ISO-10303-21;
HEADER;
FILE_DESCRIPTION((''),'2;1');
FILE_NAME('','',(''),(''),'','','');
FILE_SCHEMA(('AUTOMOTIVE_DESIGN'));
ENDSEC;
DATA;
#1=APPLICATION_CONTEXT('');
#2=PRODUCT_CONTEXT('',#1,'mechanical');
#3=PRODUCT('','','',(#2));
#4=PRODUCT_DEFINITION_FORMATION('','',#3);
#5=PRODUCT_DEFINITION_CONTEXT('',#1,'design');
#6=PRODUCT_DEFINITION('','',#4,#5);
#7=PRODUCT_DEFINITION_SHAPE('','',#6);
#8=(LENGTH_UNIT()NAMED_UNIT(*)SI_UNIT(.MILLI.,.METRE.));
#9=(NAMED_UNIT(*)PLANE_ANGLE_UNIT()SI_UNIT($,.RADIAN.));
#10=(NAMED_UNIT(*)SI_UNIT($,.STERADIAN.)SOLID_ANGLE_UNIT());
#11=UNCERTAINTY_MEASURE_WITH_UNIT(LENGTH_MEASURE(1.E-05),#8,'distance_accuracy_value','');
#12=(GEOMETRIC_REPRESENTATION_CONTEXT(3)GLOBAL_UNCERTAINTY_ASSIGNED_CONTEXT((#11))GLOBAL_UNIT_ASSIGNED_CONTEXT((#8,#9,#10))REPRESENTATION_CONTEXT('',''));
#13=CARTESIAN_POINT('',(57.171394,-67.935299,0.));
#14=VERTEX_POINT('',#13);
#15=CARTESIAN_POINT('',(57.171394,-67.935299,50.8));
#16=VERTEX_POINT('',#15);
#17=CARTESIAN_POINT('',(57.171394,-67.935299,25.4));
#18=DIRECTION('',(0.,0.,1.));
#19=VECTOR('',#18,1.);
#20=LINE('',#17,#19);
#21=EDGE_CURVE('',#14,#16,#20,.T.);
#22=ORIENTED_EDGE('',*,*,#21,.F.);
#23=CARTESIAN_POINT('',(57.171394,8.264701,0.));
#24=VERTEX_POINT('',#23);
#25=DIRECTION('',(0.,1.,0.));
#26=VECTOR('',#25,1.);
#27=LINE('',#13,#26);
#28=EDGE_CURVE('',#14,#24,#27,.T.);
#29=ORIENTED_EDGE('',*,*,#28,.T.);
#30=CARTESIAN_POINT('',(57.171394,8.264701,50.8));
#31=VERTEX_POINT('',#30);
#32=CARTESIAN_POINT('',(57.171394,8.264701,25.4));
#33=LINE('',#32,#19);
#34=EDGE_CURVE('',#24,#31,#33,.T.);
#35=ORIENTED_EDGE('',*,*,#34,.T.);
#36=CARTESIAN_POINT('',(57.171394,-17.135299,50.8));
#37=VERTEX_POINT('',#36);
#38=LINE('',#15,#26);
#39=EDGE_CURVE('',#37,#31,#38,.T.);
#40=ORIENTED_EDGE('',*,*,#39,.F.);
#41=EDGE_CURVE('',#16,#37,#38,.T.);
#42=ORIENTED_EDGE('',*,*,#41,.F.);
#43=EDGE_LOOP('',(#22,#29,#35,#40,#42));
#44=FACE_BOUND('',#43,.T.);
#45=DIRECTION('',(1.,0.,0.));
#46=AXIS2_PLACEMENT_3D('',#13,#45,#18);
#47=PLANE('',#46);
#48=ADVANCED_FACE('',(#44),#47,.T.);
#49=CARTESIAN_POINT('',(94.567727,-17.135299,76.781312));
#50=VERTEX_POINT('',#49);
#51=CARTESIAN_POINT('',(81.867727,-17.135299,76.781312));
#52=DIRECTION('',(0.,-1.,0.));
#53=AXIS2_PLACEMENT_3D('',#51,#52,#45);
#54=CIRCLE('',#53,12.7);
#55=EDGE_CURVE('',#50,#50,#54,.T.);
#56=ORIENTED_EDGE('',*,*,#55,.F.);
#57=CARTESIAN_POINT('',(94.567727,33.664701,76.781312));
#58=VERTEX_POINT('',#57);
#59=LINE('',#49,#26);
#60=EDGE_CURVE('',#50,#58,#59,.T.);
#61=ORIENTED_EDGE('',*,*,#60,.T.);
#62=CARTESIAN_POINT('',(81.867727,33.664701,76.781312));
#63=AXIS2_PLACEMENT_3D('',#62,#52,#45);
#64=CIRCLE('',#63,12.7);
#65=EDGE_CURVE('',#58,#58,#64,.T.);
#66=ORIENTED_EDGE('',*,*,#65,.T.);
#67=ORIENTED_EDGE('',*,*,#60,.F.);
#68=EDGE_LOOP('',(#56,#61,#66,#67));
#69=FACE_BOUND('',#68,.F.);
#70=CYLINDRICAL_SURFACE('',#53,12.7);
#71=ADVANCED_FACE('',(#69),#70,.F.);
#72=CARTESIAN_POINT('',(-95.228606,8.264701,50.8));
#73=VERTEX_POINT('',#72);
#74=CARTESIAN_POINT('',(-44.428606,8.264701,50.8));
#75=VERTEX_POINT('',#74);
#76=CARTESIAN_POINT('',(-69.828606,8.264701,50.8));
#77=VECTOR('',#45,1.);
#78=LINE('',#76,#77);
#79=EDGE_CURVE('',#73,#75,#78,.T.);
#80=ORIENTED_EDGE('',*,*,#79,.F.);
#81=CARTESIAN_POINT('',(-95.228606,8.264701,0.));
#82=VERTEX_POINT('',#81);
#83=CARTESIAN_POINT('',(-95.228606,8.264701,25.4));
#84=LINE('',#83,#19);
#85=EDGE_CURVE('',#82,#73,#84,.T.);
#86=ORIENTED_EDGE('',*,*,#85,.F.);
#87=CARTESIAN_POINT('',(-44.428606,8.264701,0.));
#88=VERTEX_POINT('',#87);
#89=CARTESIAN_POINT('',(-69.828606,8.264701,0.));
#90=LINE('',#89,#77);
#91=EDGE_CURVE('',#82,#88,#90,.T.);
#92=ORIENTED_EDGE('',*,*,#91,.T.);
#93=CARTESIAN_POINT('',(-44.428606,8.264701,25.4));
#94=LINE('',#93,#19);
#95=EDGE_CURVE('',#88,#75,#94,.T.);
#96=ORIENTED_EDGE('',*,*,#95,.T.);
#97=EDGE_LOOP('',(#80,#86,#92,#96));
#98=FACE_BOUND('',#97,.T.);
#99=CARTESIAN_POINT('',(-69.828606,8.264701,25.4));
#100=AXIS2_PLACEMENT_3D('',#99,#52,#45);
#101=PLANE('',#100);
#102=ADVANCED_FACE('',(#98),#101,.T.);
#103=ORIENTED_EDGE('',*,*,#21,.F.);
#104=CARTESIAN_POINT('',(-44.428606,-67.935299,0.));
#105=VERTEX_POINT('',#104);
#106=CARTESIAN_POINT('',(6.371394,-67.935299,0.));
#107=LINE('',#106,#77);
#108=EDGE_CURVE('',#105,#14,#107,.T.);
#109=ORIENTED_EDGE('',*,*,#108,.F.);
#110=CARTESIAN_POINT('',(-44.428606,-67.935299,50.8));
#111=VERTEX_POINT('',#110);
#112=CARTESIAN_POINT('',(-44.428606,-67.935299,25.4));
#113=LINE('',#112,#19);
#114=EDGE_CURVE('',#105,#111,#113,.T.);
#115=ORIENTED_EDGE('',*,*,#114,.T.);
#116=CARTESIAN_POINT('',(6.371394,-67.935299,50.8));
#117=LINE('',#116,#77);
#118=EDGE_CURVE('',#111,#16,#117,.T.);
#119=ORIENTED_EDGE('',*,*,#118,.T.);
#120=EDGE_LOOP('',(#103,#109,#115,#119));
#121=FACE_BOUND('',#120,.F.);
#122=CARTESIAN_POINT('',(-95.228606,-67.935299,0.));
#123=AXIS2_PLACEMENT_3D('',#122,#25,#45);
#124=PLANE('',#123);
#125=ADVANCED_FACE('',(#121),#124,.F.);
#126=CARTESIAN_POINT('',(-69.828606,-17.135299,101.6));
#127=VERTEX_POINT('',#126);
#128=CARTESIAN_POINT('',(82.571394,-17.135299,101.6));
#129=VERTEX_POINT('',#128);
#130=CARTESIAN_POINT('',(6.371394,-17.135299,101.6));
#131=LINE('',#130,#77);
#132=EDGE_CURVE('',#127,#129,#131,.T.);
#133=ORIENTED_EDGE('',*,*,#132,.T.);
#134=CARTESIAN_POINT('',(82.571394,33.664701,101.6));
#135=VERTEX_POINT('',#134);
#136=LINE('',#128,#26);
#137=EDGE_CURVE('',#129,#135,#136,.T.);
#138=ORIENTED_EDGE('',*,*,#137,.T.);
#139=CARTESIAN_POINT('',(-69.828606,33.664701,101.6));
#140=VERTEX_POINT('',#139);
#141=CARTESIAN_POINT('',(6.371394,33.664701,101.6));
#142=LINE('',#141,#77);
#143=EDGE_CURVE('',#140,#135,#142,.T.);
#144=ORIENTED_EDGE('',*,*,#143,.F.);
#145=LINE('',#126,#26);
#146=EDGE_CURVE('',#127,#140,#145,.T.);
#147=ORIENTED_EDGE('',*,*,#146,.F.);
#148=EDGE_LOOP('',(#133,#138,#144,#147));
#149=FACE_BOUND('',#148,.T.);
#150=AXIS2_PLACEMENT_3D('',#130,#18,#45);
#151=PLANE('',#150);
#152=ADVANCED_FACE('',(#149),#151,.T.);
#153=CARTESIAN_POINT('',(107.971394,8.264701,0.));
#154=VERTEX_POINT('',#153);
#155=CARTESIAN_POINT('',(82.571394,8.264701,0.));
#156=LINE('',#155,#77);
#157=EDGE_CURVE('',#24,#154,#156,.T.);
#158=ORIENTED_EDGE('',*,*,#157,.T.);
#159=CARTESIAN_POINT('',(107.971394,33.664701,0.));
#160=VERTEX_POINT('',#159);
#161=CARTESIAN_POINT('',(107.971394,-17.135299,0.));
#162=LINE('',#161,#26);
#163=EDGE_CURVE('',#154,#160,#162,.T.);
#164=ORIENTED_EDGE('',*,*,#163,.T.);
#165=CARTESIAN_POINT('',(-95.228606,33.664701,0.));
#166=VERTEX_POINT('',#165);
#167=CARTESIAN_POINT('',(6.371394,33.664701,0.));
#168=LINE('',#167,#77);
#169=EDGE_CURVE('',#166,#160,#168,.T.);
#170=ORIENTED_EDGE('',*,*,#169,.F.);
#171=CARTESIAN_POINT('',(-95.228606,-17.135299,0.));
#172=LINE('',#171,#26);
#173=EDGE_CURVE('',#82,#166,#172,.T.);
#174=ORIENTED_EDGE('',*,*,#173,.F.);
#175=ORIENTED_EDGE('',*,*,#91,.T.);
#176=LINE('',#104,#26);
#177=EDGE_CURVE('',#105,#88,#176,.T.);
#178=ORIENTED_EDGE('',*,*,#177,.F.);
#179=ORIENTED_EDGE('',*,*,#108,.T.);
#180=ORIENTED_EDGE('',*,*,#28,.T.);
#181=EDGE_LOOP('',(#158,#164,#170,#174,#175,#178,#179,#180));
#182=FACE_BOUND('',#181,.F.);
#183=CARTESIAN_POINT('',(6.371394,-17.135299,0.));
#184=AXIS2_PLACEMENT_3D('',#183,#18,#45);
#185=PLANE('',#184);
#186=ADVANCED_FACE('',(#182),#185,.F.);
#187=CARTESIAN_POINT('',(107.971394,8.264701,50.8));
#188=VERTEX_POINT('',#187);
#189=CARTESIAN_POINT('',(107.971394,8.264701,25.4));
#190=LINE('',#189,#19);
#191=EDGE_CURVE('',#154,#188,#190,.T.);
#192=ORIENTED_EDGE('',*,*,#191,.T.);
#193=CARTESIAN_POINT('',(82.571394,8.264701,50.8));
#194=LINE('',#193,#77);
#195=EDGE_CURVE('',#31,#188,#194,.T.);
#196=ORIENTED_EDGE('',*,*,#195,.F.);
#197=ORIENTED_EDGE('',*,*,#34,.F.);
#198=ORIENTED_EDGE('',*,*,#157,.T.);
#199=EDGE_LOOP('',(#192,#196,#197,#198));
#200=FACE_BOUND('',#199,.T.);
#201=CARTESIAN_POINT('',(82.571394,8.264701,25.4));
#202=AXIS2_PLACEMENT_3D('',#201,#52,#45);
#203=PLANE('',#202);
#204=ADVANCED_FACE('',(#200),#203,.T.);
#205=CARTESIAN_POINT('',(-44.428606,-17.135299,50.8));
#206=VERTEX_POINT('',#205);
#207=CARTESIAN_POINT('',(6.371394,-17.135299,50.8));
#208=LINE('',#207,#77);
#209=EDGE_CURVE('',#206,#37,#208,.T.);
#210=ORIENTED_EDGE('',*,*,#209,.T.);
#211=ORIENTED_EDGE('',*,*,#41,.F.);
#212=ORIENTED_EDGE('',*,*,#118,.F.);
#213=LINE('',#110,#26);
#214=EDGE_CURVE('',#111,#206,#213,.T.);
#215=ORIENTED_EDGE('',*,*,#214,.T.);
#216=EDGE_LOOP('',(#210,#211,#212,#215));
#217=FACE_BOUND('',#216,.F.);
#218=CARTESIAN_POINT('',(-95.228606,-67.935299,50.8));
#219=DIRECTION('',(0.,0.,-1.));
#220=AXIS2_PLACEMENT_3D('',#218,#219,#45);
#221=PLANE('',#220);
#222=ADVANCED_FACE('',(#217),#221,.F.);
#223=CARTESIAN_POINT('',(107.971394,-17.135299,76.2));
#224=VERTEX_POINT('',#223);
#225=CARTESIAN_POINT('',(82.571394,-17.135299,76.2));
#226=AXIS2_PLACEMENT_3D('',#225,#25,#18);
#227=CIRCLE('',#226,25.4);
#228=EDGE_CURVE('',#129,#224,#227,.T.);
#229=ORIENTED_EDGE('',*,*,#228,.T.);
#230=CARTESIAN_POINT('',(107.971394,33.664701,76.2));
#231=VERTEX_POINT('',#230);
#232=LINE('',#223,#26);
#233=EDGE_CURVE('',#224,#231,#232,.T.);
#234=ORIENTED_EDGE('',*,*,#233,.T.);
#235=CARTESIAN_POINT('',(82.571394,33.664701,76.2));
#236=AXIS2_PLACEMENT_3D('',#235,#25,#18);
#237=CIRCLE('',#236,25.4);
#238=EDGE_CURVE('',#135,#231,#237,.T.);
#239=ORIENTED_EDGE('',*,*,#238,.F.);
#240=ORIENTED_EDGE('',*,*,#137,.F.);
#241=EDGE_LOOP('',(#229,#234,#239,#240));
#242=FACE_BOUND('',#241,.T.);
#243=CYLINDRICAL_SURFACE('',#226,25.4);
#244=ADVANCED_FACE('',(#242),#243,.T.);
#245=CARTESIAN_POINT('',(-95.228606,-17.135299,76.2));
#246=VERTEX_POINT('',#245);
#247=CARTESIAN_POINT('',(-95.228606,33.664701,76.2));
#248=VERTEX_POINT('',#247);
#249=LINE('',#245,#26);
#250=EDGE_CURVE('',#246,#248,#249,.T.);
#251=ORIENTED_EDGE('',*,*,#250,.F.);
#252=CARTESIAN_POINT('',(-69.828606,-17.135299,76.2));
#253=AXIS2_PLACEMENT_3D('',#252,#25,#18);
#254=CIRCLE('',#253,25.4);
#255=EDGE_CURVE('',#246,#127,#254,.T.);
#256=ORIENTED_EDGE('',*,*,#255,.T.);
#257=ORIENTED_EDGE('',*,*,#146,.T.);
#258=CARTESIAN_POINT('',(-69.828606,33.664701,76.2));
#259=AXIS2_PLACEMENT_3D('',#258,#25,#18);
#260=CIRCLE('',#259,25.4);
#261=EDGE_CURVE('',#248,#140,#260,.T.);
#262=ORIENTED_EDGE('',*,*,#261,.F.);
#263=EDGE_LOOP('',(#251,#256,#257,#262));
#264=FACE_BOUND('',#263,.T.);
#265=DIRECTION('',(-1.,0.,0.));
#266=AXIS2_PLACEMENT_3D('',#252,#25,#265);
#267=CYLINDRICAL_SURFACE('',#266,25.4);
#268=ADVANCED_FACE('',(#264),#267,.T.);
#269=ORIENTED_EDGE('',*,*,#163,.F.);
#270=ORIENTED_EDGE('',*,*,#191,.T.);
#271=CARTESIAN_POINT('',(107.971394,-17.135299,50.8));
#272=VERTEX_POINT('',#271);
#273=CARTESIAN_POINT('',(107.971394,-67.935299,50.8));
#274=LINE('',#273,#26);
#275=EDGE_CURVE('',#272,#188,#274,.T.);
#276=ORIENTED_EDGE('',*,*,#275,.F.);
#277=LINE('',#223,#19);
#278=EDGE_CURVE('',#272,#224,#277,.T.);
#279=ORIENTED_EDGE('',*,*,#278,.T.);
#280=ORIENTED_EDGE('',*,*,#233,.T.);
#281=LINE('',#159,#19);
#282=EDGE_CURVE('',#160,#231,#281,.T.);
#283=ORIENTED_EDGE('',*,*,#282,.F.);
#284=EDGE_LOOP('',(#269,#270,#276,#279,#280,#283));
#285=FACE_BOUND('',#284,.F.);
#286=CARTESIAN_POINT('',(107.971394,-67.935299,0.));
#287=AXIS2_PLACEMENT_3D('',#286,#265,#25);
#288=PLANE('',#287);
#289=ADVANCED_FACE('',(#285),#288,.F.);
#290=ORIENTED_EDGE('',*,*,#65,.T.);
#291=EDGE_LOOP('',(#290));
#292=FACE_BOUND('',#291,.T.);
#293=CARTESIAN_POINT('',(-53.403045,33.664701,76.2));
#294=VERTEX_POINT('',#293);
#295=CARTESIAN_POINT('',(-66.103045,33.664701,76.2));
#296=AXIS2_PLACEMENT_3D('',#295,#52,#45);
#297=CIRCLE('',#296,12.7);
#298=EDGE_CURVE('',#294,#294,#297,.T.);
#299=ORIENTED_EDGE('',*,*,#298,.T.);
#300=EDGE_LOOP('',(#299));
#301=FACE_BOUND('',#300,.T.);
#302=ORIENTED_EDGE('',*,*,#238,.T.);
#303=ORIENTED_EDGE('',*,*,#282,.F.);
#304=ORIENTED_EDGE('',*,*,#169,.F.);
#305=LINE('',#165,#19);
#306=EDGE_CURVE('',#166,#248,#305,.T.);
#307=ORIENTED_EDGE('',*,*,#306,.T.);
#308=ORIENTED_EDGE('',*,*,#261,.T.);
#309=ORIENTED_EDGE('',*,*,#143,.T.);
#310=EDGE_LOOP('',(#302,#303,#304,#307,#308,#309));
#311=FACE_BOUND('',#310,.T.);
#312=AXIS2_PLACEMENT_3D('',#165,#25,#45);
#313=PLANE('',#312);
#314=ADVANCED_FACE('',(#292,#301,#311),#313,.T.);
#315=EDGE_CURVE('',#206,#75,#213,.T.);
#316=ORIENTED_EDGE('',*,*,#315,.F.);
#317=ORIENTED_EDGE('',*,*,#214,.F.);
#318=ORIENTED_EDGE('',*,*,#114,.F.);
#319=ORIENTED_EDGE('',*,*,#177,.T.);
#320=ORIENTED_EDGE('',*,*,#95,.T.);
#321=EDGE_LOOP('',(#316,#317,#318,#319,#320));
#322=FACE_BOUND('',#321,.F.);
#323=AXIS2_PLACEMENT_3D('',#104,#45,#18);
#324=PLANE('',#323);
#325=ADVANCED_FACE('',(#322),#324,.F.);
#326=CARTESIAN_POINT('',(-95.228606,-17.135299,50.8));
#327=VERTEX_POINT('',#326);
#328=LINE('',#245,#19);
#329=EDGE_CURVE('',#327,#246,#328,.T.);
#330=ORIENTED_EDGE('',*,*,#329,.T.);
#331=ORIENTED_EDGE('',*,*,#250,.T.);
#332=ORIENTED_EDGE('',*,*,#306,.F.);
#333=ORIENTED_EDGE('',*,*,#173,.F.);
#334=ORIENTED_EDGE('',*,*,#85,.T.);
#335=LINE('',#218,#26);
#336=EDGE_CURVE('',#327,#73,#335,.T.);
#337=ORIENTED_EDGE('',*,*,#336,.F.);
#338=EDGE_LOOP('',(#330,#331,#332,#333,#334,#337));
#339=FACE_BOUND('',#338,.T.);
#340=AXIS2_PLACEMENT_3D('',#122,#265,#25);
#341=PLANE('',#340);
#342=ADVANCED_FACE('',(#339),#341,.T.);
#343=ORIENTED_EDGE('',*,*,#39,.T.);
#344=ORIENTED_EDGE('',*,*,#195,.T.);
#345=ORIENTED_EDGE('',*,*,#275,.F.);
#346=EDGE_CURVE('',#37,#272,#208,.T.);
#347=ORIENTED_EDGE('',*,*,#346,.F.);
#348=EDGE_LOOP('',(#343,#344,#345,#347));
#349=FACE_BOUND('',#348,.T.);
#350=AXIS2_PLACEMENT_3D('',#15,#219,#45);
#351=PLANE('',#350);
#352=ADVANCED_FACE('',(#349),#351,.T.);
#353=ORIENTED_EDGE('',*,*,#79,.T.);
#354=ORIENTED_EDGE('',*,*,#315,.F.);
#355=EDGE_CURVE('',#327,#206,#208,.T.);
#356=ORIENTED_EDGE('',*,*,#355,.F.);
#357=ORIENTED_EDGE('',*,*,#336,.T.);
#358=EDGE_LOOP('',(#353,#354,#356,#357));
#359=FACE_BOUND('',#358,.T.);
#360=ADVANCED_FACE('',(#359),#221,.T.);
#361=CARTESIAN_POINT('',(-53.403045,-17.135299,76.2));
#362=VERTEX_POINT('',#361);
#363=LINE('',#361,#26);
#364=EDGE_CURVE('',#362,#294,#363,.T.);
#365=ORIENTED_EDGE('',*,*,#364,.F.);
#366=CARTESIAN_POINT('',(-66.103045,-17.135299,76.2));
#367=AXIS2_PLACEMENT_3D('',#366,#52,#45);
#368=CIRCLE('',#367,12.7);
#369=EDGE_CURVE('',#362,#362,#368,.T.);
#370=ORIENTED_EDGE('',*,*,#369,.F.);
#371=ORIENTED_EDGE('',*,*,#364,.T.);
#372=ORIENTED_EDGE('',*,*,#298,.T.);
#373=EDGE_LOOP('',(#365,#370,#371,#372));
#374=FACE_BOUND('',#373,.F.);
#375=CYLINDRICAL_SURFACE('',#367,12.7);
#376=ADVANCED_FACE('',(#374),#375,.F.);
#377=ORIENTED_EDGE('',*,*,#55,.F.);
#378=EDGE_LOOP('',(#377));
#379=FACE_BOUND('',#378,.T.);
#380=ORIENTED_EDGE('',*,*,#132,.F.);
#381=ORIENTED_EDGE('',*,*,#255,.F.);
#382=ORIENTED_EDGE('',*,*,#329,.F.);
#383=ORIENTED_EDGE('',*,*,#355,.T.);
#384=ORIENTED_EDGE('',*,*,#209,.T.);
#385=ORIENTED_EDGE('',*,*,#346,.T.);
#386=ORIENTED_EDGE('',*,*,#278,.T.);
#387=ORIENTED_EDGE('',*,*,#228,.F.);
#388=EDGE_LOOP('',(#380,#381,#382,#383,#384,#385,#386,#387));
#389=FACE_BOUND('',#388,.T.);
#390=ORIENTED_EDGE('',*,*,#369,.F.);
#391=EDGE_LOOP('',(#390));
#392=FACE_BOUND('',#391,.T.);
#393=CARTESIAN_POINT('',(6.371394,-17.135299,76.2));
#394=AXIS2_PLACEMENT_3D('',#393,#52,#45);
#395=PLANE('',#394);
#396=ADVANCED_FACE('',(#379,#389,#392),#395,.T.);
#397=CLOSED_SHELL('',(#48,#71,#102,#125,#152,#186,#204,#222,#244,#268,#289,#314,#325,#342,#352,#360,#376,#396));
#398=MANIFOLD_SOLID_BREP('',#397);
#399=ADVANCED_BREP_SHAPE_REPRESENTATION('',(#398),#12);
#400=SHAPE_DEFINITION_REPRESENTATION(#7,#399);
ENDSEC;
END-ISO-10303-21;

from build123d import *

# Parameters (mm, degrees)
F0_W     = 203.2
F0_H     = 101.6
F1_DEPTH = 101.6
F2_W     = 50.8
F2_H     = 50.8
F3_DEPTH = 76.2
F4_W     = 203.2
F4_H     = 50.8
F5_DEPTH = 50.8
F6_R     = 25.4
F7_R     = 12.7
F8_DEPTH = 101.6


with BuildPart() as f1:
    # F0 (on Top) → F1 (new body)
    with BuildSketch(Plane.XY):
        with Locations((6.3713937998, -17.1352989659)):
            Rectangle(F0_W, F0_H)
    extrude(amount=F1_DEPTH)

    # F2 (on face) → F3 (cut)
    with BuildSketch(Plane.XZ.offset(67.9352989659)):
        with Locations((-69.8286062002, 25.4)):
            Rectangle(F2_W, F2_H)
        with Locations((82.5713937998, 25.4)):
            Rectangle(F2_W, F2_H)
    extrude(amount=-F3_DEPTH, mode=Mode.SUBTRACT)

    # F4 (on face) → F5 (cut)
    with BuildSketch(Plane.XZ.offset(67.9352989659)):
        with Locations((6.3713937998, 76.2)):
            Rectangle(F4_W, F4_H)
    extrude(amount=-F5_DEPTH, mode=Mode.SUBTRACT)

    # F6
    f6_edges = [f1.edges().sort_by_distance(p)[0] for p in [
        (107.971394, 8.264701, 101.6),
        (-95.228606, 8.264701, 101.6),
    ]]
    fillet(f6_edges, radius=F6_R)

    # F7 (on face) → F8 (cut)
    with BuildSketch(Plane.XZ.offset(17.1352989659)):
        with Locations((81.8677269595, 76.7813124852)):
            Circle(F7_R)
        with Locations((-66.1030446438, 76.2)):
            Circle(F7_R)
    extrude(amount=-F8_DEPTH, mode=Mode.SUBTRACT)


solid = f1.part
